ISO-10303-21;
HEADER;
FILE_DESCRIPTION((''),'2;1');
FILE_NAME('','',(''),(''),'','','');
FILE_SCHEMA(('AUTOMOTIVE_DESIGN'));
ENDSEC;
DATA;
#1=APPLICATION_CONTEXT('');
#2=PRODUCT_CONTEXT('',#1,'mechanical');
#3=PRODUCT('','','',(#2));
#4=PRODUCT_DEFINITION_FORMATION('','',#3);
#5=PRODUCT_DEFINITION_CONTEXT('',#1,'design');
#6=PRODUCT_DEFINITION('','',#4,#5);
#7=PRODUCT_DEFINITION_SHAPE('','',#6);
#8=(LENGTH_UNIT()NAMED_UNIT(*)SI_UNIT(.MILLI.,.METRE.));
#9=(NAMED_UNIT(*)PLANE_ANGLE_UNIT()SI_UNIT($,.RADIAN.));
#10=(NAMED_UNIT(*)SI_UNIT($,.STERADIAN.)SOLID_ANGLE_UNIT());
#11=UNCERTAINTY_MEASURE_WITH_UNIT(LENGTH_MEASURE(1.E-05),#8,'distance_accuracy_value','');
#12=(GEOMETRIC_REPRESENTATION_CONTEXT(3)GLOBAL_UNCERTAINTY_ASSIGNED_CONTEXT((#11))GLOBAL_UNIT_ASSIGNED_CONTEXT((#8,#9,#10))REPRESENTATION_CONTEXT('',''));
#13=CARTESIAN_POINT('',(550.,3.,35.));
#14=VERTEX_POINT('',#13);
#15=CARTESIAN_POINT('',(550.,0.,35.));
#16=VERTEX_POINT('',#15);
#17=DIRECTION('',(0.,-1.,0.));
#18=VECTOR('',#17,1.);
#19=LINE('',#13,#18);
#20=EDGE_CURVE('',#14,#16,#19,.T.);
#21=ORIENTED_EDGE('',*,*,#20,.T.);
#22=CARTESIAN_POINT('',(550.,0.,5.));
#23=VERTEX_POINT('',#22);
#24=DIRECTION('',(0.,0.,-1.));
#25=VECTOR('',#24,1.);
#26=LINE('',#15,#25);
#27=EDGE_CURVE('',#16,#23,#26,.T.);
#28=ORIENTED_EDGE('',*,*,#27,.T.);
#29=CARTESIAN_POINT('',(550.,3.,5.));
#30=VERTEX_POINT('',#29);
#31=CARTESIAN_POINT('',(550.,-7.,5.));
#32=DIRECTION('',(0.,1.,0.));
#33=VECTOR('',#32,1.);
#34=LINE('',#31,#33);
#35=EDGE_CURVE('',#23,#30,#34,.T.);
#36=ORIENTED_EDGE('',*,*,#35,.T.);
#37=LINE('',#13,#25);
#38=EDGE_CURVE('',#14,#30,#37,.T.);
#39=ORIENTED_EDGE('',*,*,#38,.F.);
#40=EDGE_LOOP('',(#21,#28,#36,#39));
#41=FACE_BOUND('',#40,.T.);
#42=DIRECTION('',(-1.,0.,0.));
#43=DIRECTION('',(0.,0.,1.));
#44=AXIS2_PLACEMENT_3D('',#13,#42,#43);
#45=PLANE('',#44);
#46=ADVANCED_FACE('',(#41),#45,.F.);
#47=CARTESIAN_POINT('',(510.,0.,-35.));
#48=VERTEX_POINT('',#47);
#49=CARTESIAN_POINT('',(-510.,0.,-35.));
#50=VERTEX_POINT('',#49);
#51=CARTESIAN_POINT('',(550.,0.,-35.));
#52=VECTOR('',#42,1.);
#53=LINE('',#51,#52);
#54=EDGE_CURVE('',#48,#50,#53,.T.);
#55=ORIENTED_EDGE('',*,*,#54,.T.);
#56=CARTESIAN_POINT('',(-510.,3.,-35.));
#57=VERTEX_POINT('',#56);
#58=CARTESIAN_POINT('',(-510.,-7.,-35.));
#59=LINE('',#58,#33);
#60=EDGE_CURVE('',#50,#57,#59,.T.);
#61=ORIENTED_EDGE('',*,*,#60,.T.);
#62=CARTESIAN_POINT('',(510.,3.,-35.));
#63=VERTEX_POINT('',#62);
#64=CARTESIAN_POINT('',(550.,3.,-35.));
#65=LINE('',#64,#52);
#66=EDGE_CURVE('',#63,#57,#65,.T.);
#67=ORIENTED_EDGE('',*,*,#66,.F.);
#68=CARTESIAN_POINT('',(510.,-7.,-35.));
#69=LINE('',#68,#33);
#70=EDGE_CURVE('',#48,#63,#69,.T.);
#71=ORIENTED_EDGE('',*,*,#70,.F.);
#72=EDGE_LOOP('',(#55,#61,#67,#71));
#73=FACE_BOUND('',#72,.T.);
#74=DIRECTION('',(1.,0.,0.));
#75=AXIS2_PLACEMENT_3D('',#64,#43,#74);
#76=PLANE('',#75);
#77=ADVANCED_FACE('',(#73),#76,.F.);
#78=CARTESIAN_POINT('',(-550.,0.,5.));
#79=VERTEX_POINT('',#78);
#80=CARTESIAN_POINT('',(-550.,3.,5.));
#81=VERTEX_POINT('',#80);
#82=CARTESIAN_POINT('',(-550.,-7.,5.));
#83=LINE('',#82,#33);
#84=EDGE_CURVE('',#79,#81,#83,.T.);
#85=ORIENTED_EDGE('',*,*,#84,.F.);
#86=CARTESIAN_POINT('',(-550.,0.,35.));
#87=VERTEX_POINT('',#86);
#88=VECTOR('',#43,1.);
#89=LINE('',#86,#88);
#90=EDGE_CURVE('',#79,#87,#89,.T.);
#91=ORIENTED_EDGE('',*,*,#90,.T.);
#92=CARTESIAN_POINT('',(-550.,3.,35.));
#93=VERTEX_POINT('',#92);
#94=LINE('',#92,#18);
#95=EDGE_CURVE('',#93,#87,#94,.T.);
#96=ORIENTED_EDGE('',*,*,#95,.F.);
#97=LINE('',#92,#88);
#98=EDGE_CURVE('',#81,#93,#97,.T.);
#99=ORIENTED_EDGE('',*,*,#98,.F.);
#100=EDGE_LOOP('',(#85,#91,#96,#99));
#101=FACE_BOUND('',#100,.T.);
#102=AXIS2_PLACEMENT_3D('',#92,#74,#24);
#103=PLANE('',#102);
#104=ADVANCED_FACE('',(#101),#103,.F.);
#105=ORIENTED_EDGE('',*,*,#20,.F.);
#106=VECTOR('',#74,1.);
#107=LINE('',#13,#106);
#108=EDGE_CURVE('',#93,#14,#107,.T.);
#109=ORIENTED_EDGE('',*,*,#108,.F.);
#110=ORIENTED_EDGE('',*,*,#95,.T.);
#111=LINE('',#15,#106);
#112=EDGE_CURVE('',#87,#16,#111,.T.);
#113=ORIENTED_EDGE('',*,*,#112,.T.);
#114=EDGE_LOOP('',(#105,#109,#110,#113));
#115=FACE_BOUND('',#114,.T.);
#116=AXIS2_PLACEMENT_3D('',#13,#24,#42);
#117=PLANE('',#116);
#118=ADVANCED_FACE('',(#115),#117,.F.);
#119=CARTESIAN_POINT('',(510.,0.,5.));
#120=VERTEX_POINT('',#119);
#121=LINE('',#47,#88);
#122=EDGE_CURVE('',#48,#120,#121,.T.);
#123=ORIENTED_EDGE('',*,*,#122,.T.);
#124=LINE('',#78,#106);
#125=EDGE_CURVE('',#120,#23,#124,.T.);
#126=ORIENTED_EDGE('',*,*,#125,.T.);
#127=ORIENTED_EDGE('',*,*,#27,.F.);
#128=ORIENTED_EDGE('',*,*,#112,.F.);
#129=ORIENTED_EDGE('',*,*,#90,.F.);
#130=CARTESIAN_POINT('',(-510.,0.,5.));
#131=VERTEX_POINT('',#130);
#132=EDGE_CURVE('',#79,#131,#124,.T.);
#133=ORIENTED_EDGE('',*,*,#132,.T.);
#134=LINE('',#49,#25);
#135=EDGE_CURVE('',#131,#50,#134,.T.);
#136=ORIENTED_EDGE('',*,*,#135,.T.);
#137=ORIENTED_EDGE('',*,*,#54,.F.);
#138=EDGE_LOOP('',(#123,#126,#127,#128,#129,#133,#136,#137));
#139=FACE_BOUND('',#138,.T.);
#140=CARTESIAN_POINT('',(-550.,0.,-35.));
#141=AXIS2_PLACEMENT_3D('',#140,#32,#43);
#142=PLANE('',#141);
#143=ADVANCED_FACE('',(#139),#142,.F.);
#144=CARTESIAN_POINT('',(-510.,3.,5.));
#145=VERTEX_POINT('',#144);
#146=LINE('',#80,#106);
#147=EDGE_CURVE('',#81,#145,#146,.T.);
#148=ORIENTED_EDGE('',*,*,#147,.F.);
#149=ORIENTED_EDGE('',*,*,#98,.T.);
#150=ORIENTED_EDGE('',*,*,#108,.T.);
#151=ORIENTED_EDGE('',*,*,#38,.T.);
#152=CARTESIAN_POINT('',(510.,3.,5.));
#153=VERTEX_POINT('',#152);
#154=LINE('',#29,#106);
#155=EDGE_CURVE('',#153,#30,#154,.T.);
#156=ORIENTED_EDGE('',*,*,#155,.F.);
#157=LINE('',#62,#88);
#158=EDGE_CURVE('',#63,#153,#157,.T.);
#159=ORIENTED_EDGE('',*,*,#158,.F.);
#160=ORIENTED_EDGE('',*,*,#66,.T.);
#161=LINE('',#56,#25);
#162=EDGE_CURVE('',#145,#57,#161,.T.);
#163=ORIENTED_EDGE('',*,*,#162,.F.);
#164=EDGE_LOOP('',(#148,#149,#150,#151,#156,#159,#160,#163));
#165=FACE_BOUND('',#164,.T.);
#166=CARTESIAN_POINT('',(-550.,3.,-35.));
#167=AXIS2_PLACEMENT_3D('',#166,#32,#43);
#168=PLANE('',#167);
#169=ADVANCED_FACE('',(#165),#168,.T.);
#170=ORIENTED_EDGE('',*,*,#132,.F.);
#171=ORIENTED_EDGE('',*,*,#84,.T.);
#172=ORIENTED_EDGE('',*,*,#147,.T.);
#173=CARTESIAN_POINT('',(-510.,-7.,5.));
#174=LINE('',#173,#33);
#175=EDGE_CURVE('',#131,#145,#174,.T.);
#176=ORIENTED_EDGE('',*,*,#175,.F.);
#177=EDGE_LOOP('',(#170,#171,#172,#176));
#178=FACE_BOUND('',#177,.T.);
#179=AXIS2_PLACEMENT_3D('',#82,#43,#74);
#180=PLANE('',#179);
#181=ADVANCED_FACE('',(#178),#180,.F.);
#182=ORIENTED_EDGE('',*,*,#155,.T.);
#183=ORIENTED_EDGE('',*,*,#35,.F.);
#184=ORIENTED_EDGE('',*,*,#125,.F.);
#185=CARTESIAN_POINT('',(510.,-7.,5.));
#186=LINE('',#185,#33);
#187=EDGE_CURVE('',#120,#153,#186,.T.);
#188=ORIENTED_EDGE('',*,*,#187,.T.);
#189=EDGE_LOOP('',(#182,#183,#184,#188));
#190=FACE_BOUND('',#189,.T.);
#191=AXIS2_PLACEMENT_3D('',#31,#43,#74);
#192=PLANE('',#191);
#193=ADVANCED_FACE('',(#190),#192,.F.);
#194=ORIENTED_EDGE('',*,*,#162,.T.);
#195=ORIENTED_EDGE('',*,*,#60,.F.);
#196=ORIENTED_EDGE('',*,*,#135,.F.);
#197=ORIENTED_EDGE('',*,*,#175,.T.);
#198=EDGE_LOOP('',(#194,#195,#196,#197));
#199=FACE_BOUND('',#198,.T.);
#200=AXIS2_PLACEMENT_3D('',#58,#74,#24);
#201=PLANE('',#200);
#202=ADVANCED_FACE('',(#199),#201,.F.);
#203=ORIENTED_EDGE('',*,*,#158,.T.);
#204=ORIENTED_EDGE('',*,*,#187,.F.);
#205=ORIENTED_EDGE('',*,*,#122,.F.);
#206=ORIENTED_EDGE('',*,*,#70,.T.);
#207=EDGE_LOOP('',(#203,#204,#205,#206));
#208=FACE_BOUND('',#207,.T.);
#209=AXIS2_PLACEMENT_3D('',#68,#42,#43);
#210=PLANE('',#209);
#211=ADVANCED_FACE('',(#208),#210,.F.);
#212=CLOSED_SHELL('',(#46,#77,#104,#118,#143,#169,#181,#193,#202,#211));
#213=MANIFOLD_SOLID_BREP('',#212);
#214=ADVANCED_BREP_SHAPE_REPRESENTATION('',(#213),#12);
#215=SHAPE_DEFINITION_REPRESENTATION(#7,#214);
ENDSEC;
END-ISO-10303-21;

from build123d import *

# Parameters (mm, degrees)
CROQUIS1_W     = 1100
CROQUIS1_H     = 70
EXTRUIR1_DEPTH = 3
CROQUIS2_W     = 40
CROQUIS2_H     = 40
EXTRUIR2_DEPTH = 10


with BuildPart() as part:
    # Croquis1 → Extruir1 (new body)
    with BuildSketch(Plane(origin=(0, 0, 0), x_dir=(1, 0, 0), z_dir=(0, 1, 0))):
        Rectangle(CROQUIS1_W, CROQUIS1_H)
    extrude(amount=EXTRUIR1_DEPTH)

    # Croquis2 → Extruir2 (cut)
    with BuildSketch(Plane(origin=(0, 3, 0), x_dir=(1, 0, 0), z_dir=(0, 1, 0))):
        with Locations((-530, 15)):
            Rectangle(CROQUIS2_W, CROQUIS2_H)
        with Locations((530, 15)):
            Rectangle(CROQUIS2_W, CROQUIS2_H)
    extrude(amount=-EXTRUIR2_DEPTH, mode=Mode.SUBTRACT)


solid = part.part
